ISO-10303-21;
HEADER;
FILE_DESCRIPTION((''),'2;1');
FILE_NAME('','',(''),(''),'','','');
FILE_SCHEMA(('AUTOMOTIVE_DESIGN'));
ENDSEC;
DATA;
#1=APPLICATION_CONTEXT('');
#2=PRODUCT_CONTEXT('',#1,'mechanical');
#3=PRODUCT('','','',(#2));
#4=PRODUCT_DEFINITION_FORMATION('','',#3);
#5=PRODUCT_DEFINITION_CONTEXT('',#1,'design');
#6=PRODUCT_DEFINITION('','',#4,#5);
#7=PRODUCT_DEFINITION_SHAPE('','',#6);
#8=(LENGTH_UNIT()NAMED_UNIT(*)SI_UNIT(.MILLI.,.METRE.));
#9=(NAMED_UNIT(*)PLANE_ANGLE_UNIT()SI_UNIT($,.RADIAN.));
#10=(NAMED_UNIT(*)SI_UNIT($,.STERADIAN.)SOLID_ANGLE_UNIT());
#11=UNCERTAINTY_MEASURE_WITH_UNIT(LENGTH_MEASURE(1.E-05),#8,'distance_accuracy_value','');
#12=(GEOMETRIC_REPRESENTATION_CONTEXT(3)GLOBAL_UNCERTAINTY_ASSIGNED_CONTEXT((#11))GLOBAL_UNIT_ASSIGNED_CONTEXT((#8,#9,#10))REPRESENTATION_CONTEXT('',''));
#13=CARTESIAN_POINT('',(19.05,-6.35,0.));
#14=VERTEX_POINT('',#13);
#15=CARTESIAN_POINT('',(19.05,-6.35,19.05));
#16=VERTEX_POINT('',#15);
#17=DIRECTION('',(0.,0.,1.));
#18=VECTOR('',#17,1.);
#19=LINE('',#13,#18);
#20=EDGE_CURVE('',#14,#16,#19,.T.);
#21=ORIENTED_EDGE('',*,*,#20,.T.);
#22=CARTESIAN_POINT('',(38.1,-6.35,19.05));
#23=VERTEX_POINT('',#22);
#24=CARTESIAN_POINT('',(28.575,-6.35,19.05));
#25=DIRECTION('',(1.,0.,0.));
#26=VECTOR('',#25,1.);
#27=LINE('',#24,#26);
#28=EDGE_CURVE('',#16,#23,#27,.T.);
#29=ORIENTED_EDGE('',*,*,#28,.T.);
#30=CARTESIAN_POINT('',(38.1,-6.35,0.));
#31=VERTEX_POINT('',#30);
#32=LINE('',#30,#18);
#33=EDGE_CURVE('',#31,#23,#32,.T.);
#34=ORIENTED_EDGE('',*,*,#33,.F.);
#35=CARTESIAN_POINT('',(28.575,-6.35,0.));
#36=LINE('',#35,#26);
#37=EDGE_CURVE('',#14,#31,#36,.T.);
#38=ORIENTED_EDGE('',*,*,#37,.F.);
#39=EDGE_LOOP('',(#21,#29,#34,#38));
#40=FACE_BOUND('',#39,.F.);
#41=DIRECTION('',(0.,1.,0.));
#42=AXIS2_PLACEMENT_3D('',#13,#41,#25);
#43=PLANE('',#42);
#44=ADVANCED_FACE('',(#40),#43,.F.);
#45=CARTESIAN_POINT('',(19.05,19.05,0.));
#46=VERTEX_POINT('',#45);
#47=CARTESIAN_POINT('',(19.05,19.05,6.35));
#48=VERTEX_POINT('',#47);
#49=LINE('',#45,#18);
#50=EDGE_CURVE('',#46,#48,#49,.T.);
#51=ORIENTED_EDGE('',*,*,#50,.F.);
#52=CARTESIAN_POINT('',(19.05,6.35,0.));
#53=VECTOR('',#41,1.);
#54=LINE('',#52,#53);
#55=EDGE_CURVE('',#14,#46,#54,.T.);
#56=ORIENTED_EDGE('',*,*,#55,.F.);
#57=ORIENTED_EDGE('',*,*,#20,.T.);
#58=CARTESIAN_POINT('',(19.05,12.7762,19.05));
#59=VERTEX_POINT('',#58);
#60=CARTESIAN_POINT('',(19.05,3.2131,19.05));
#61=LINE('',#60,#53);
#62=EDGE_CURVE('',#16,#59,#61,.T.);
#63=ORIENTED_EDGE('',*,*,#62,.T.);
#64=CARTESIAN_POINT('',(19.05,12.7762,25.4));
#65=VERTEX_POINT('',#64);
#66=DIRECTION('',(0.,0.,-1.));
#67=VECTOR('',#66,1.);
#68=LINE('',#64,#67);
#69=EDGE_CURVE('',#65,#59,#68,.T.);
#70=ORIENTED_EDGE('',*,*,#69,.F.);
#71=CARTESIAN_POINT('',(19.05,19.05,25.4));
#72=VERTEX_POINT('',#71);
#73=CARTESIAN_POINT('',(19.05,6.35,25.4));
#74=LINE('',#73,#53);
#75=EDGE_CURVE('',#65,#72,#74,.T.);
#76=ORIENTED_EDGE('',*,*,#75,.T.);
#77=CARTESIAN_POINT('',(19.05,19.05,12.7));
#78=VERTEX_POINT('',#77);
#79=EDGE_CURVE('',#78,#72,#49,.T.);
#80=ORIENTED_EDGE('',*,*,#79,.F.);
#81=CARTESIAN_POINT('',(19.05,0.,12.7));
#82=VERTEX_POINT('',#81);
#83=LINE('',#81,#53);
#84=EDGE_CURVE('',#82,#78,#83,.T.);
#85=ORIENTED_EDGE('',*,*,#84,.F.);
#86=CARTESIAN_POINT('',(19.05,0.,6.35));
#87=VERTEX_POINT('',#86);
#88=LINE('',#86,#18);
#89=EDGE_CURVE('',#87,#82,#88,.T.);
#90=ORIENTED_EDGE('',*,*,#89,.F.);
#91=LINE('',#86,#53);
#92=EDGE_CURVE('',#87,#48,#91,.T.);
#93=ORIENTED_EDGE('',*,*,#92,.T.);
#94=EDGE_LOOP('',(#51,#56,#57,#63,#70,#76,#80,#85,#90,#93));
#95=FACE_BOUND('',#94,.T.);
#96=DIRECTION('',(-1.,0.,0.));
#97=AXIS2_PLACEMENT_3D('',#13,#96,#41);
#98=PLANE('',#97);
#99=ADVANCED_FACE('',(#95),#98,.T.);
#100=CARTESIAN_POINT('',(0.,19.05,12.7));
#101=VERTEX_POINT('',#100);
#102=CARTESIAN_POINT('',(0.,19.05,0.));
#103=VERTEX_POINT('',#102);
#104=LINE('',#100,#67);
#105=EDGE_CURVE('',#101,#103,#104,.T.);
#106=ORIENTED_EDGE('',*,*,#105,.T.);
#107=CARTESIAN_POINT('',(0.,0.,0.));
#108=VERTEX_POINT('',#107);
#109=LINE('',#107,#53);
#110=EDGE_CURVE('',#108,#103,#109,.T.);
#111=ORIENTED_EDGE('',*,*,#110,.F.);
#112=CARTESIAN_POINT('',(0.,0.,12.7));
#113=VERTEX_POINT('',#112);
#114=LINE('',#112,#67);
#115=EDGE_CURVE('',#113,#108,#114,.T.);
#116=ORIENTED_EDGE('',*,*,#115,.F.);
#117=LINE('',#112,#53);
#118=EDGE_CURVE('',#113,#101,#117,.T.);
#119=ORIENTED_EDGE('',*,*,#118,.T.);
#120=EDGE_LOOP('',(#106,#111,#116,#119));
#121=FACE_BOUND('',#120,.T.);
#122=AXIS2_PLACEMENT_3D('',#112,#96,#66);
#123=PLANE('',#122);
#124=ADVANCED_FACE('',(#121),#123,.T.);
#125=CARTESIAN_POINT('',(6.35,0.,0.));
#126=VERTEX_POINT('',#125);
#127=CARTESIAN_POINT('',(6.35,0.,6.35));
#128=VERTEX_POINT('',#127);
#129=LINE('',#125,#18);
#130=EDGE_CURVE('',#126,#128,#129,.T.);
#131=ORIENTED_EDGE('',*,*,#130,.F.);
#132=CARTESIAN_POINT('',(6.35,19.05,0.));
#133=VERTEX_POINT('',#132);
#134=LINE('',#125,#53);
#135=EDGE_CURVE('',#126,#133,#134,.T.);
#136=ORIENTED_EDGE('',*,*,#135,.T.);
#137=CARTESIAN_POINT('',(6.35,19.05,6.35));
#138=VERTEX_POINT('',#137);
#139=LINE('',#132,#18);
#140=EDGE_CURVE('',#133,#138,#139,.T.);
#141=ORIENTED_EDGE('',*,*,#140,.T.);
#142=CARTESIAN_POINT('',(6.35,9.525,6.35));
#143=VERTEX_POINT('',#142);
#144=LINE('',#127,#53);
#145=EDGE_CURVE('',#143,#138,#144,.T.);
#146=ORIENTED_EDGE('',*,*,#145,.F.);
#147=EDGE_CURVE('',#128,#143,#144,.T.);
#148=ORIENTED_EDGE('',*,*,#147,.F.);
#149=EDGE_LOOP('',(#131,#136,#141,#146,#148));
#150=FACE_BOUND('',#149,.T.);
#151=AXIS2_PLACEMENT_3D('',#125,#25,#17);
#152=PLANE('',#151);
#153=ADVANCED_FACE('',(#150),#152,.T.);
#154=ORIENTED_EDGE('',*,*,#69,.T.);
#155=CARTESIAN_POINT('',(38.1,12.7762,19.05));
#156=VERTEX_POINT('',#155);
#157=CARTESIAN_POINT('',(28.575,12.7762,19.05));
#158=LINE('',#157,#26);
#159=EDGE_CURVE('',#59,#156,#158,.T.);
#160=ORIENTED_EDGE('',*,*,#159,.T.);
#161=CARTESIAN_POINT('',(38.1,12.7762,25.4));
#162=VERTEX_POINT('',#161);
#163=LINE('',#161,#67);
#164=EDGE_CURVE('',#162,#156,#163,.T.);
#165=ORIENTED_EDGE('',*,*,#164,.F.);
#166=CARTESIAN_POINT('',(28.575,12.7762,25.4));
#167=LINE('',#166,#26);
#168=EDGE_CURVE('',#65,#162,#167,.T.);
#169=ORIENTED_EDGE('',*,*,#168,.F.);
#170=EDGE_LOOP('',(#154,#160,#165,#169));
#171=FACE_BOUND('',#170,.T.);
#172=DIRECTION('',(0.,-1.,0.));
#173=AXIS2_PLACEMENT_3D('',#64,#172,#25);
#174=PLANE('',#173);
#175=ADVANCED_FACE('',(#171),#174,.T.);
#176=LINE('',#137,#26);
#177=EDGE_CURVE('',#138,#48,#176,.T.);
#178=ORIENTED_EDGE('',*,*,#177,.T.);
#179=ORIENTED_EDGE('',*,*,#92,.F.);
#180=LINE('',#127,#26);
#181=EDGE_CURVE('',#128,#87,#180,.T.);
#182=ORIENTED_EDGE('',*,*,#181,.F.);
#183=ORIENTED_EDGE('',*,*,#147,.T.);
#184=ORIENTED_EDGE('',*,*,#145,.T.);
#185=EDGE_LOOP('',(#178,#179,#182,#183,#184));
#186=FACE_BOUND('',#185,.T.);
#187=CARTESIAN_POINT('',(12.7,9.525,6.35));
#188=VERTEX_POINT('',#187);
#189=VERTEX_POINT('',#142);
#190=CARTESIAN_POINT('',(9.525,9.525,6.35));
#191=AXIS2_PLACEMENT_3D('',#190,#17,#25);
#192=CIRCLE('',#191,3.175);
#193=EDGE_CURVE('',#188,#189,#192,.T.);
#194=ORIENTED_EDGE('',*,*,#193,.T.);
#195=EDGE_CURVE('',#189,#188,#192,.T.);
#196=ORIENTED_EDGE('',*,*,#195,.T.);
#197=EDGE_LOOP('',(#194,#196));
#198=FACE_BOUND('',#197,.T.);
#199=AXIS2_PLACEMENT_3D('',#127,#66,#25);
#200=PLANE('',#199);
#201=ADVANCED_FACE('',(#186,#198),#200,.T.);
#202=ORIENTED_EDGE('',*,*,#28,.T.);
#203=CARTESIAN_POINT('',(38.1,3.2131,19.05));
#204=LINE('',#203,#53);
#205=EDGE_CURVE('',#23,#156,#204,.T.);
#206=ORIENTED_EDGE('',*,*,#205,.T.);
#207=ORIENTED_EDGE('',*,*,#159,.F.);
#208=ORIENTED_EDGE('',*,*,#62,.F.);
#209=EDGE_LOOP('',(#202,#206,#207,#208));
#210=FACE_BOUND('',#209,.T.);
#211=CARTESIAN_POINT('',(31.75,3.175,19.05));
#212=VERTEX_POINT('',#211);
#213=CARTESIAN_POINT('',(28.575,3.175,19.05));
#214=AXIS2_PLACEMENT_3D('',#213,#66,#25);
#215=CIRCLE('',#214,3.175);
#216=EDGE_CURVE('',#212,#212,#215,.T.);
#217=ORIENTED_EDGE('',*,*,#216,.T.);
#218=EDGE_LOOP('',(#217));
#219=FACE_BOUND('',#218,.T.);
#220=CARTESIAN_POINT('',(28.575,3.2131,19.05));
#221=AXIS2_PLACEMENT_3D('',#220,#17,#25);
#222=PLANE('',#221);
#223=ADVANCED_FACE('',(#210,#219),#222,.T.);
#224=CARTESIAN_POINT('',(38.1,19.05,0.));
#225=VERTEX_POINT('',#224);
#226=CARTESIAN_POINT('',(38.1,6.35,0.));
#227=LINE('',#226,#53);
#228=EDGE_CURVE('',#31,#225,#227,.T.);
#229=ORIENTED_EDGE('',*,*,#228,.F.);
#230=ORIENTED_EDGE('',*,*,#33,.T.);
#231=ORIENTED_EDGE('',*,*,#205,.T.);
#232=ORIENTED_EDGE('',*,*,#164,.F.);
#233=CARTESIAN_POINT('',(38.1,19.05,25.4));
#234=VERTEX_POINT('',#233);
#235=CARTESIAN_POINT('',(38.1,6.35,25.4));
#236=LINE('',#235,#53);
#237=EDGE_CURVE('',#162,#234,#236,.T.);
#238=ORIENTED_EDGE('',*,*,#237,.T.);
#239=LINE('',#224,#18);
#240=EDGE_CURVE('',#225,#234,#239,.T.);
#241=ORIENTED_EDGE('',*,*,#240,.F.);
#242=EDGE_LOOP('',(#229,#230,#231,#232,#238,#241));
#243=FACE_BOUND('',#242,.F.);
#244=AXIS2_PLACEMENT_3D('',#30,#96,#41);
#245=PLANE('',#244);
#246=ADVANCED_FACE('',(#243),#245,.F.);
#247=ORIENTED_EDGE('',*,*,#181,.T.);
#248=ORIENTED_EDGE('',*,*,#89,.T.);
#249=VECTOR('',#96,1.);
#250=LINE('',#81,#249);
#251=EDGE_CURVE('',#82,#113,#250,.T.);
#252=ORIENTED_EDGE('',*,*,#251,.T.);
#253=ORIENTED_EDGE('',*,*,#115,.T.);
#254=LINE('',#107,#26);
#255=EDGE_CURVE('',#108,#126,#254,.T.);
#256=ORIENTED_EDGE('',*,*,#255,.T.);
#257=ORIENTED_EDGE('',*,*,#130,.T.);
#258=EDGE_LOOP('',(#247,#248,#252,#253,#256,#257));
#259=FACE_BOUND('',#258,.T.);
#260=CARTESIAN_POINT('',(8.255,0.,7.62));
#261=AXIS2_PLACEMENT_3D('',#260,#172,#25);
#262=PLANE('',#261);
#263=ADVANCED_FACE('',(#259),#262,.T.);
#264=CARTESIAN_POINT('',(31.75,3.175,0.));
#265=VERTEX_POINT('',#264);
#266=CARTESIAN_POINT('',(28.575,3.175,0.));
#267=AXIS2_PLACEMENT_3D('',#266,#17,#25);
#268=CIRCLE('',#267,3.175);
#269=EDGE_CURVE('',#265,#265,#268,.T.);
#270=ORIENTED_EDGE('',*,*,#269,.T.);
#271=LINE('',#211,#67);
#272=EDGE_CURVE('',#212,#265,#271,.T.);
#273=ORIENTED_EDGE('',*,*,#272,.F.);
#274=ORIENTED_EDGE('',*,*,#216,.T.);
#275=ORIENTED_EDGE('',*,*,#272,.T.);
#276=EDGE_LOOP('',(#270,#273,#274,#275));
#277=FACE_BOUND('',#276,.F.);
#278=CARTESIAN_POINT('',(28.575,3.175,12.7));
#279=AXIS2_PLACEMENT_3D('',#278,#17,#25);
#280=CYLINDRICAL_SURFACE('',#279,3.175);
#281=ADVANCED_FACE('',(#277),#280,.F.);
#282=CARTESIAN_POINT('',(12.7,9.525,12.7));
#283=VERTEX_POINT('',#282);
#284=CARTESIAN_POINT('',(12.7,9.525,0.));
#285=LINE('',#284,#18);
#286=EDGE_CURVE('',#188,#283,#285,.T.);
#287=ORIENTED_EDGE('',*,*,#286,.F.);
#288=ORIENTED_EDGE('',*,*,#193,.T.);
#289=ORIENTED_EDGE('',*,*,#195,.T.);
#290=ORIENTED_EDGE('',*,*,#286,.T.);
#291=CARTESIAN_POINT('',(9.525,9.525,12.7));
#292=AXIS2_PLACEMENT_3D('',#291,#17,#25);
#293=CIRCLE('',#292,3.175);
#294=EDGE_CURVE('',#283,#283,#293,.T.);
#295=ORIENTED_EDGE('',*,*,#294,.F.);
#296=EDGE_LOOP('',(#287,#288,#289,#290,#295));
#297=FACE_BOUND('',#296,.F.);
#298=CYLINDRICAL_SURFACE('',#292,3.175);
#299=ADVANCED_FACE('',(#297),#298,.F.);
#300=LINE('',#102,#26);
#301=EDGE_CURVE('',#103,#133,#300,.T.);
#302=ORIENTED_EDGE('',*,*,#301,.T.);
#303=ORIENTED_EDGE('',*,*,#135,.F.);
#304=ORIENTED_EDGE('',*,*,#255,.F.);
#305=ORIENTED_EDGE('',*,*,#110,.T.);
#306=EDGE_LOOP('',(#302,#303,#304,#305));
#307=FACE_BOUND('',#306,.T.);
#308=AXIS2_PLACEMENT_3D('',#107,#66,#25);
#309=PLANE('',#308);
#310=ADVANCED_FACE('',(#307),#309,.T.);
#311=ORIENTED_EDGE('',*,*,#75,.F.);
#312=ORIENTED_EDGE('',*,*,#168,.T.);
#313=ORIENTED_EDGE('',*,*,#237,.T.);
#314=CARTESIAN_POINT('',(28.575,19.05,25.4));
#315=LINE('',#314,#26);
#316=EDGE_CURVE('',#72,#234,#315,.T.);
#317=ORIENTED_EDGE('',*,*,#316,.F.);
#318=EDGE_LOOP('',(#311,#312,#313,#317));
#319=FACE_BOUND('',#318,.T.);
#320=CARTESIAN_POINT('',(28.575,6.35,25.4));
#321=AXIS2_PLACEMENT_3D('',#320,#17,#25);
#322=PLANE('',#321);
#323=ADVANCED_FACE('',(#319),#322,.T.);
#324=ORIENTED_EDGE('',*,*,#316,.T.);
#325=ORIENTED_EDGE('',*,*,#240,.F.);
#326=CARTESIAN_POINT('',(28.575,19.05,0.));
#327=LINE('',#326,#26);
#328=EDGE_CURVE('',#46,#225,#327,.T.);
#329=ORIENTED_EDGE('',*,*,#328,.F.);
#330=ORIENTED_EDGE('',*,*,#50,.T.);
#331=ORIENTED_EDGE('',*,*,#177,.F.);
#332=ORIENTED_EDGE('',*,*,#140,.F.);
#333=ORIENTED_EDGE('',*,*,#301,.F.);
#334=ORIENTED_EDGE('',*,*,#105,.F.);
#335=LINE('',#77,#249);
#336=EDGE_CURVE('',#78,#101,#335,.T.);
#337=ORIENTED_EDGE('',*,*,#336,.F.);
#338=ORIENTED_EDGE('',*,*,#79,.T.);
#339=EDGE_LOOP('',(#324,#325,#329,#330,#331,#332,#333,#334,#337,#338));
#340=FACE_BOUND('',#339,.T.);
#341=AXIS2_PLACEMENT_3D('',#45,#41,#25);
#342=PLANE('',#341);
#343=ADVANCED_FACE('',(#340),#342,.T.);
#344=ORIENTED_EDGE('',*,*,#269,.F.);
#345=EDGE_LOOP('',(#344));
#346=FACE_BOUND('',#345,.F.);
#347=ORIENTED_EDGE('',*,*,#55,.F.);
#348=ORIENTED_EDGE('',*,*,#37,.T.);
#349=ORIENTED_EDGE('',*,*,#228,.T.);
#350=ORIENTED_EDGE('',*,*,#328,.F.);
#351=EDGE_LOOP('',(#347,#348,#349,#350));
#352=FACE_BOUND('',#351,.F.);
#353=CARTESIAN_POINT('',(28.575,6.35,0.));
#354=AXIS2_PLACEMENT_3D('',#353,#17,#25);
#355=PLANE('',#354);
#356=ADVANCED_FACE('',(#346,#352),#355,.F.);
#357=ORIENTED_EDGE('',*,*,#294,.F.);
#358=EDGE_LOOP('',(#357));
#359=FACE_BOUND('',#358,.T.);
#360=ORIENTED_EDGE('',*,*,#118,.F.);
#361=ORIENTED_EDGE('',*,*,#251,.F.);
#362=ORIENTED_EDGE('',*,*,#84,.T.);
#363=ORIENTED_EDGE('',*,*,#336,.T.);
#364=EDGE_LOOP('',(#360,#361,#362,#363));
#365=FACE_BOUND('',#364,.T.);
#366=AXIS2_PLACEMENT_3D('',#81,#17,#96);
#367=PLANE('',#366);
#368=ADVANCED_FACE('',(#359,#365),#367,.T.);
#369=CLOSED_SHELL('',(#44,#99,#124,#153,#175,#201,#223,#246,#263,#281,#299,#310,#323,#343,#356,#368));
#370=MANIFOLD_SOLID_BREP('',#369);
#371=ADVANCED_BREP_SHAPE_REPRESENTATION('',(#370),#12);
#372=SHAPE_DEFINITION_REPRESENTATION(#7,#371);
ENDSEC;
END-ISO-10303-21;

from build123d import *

# Parameters (mm, degrees)
F1_DEPTH = 19.05
F2_W     = 19.05
F2_H     = 25.4
F3_DEPTH = 25.4
F4_W     = 19.05
F4_H     = 19.1262
F5_DEPTH = 6.35
F6_R     = 3.175
F7_DEPTH = 12.7


with BuildPart() as f1:
    # F0 (on Front) → F1 (new body)
    with BuildSketch(Plane.XZ):
        Polygon((0, 12.7), (0, 0), (6.35, 0), (6.35, 6.35), (19.05, 6.35), (19.05, 12.7), align=None)
    extrude(amount=-F1_DEPTH)

    # F2 (on Top) → F3 (join)
    with BuildSketch(Plane.XY):
        with Locations((28.575, 6.35)):
            Rectangle(F2_W, F2_H)
    extrude(amount=F3_DEPTH)

    # F4 (on face) → F5 (cut)
    with BuildSketch(Plane.XY.offset(25.4)):
        with Locations((28.575, 3.2131)):
            Rectangle(F4_W, F4_H)
    extrude(amount=-F5_DEPTH, mode=Mode.SUBTRACT)

    # F6 (on face) → F7 (cut, symmetric)
    with BuildSketch(Plane.XY.offset(12.7)):
        with Locations((28.575, 3.175)):
            Circle(F6_R)
        with Locations((9.525, 9.525)):
            Circle(F6_R)
    extrude(amount=F7_DEPTH, both=True, mode=Mode.SUBTRACT)


solid = f1.part
